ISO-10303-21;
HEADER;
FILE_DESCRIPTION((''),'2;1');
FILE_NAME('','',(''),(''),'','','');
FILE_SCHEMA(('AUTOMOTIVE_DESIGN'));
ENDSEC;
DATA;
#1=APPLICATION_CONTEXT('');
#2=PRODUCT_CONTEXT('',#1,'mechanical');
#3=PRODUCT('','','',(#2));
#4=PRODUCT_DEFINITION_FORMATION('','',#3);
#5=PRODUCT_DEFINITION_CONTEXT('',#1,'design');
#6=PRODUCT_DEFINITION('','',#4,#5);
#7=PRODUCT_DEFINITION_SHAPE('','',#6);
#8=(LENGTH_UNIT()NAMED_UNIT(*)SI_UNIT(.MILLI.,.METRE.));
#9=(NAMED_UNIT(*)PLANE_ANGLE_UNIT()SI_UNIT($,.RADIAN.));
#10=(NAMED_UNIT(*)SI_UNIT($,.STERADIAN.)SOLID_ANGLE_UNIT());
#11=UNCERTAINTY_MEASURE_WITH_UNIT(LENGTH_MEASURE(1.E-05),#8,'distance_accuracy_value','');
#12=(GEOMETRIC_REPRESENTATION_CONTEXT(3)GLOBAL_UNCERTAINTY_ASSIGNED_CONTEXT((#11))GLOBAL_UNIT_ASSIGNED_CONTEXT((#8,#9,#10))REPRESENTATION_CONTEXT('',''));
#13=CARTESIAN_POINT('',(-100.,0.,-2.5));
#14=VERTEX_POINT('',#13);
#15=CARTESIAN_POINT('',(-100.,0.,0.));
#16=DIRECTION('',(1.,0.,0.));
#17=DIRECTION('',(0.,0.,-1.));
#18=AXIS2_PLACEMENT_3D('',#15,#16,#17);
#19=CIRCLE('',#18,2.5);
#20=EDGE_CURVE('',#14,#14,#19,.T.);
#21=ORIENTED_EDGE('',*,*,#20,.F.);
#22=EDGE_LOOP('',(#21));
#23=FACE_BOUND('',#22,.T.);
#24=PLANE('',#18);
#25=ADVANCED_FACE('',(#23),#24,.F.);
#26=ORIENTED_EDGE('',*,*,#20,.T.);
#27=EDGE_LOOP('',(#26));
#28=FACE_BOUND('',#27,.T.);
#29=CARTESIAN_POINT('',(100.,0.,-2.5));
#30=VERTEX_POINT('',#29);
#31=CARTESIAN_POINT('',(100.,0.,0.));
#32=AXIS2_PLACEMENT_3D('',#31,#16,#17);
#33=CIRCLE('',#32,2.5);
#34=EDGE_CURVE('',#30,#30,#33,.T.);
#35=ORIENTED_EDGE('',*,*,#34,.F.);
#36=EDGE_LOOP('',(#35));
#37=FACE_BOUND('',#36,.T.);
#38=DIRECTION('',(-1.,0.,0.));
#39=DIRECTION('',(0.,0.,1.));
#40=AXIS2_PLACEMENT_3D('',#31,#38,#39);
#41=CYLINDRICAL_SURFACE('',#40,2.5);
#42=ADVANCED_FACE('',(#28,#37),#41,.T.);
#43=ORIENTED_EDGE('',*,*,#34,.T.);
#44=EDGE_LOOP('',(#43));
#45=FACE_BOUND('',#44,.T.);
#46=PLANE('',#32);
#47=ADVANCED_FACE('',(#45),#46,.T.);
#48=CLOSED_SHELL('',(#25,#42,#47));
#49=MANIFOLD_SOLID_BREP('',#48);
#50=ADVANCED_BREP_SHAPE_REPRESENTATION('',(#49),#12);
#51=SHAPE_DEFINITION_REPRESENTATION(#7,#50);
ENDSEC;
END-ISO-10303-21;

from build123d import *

# Parameters (mm, degrees)
SKETCH1_R           = 2.5
BOSS_EXTRUDE1_DEPTH = 100


with BuildPart() as part:
    # Sketch1 → Boss-Extrude1 (new body, symmetric)
    with BuildSketch(Plane(origin=(0, 0, 0), x_dir=(0, 0, -1), z_dir=(1, 0, 0))):
        Circle(SKETCH1_R)
    extrude(amount=BOSS_EXTRUDE1_DEPTH, both=True)


solid = part.part
